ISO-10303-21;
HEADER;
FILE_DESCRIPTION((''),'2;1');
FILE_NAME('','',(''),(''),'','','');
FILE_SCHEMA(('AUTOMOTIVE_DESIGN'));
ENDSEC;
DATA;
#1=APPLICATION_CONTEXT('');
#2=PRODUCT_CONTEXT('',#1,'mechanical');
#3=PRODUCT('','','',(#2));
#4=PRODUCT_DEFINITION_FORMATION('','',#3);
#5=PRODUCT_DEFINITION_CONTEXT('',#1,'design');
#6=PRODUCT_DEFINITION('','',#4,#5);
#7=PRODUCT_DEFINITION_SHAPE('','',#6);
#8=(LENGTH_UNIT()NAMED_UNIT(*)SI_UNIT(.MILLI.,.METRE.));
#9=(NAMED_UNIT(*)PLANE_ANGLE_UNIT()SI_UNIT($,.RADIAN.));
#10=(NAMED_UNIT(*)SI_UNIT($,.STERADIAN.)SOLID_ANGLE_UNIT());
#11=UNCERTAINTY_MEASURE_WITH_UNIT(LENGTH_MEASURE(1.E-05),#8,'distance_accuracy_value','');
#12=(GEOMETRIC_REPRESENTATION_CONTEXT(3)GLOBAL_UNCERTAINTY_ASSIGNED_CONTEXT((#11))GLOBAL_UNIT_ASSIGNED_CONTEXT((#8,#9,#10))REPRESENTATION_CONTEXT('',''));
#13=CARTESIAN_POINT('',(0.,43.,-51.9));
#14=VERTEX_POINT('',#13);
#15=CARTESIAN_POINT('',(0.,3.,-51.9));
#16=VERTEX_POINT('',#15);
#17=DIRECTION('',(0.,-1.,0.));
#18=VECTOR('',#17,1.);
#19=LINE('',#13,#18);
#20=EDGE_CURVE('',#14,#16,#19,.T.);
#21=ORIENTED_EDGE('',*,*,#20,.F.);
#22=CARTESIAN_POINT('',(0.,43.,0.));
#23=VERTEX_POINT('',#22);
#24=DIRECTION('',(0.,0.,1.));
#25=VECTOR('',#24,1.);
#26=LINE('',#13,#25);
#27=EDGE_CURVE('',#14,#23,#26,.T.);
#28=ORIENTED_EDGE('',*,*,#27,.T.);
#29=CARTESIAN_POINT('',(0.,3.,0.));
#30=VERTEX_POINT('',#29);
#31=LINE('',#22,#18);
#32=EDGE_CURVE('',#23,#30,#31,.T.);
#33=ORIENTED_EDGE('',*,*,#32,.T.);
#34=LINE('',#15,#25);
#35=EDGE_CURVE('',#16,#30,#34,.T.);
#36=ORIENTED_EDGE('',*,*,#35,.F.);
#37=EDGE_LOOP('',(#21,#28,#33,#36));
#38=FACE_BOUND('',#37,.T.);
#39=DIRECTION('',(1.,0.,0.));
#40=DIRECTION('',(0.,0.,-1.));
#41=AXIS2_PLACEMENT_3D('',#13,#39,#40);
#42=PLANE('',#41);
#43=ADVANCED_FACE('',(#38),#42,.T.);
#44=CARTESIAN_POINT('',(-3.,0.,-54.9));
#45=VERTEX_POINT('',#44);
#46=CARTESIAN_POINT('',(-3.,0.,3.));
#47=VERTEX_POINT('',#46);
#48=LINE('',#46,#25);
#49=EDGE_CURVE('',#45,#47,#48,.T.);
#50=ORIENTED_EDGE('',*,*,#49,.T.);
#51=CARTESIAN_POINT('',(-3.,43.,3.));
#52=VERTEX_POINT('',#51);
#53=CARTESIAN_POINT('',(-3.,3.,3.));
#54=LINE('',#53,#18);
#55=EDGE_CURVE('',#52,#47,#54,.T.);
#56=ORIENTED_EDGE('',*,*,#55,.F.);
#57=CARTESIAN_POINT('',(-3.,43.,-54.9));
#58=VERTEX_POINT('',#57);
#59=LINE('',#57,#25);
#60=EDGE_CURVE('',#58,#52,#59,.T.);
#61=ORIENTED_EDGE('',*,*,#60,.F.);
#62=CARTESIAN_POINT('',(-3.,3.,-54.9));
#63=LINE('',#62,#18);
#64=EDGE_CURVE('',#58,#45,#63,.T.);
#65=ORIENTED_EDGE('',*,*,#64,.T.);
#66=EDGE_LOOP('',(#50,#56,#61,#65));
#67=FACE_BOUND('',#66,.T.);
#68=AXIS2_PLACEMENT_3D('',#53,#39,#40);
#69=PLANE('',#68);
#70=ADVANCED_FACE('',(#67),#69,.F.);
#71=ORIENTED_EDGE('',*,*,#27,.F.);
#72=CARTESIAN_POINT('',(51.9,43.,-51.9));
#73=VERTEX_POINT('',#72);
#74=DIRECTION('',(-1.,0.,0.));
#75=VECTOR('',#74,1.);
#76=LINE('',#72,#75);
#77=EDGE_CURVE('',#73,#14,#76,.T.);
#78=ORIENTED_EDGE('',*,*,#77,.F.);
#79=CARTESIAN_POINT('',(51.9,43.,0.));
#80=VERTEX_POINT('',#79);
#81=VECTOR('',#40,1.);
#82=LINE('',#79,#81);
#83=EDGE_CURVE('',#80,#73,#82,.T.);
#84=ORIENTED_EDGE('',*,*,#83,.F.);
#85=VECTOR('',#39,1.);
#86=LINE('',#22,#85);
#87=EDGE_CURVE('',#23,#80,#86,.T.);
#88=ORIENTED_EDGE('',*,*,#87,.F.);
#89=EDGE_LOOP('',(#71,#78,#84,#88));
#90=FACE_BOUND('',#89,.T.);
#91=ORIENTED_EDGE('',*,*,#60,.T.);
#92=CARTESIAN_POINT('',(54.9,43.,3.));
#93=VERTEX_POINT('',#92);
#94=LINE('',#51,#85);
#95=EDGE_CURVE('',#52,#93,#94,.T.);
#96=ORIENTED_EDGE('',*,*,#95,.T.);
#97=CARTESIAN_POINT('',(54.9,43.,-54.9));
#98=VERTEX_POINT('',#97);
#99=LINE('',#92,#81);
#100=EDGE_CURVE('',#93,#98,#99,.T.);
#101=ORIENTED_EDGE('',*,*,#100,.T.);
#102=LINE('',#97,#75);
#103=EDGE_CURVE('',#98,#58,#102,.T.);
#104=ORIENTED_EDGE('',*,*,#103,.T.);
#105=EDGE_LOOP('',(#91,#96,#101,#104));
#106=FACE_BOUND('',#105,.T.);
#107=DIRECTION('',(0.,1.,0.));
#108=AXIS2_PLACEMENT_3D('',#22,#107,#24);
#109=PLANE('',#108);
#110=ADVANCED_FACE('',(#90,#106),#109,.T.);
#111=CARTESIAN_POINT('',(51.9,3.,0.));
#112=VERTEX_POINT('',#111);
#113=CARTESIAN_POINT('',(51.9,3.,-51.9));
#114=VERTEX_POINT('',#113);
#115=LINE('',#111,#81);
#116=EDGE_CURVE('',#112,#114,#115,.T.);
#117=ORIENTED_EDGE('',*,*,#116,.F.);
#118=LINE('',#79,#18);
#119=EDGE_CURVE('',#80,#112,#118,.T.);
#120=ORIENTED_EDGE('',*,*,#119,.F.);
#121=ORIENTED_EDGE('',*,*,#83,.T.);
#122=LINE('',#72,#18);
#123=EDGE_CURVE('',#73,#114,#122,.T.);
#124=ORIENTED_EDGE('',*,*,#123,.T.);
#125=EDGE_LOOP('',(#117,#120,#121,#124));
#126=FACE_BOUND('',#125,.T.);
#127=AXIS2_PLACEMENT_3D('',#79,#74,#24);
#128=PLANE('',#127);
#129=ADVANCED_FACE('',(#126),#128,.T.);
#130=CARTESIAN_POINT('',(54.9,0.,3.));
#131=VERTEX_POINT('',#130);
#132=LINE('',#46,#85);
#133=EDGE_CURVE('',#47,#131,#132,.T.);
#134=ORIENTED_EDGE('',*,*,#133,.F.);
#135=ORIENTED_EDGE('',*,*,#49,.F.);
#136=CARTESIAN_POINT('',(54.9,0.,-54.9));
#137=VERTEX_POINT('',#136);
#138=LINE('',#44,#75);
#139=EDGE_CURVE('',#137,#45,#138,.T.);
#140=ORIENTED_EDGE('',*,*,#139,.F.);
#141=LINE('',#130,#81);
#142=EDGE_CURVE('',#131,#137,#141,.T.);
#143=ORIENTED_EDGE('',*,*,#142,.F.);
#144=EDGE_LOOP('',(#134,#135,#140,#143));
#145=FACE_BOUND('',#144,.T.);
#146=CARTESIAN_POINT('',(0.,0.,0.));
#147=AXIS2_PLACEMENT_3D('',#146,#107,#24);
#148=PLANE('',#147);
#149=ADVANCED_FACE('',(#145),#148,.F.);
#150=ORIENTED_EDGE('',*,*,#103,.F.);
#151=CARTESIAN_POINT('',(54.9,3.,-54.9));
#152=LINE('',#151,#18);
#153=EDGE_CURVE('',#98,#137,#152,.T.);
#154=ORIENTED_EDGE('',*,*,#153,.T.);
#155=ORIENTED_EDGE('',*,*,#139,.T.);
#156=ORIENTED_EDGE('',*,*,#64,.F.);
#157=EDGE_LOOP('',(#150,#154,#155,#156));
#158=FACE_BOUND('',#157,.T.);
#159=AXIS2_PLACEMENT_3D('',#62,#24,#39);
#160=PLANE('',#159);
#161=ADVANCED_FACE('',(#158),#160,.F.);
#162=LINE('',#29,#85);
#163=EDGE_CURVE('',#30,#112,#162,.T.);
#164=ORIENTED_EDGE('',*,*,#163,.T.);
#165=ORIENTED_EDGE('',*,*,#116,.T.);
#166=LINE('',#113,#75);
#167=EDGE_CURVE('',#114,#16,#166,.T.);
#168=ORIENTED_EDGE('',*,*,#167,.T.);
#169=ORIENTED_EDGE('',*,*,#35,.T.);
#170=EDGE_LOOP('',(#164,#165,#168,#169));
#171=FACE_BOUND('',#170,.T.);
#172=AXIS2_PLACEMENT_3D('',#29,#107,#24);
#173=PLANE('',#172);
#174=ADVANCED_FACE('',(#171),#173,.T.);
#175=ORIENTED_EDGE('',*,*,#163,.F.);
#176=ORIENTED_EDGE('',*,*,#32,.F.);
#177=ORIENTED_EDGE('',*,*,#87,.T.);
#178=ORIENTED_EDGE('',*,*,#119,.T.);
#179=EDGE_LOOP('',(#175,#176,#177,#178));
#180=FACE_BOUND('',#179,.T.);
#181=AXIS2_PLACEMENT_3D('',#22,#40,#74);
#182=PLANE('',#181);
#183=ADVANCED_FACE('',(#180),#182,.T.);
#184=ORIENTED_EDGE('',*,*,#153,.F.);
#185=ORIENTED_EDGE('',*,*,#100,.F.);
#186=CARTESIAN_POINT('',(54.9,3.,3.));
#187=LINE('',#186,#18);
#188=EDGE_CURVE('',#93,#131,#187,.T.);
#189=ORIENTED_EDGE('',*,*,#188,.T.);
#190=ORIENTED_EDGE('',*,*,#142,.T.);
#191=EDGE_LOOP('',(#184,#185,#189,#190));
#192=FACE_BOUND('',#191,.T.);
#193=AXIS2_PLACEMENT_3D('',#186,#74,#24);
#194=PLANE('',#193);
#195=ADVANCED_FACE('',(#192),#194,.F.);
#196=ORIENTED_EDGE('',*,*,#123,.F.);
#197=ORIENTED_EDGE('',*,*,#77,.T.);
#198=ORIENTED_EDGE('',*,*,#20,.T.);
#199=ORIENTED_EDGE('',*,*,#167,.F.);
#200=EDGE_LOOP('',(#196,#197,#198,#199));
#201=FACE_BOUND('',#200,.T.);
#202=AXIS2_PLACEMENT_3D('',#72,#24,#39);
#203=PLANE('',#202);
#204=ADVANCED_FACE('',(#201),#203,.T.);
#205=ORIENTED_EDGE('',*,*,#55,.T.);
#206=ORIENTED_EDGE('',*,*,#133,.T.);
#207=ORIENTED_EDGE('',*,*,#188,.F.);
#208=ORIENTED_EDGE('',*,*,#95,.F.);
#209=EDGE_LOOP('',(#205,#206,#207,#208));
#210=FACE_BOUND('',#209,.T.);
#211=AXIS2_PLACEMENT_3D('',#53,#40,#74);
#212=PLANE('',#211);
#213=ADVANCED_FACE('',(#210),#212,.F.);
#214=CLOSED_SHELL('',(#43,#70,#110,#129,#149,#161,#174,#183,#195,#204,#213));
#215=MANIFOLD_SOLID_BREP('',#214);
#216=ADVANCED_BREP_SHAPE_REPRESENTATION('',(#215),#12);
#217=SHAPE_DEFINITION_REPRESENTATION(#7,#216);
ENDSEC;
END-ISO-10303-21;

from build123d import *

# Parameters (mm, degrees)
SKETCH_1_W      = 57.9
SKETCH_1_H      = 57.9
EXTRUDE_1_DEPTH = 3
SKETCH_2_W      = 57.9
SKETCH_2_H      = 57.9
SKETCH_2_W_2    = 51.9
SKETCH_2_H_2    = 51.9
EXTRUDE_2_DEPTH = 40


with BuildPart() as part:
    # 草图1 → 凸台-拉伸1 (new body)
    with BuildSketch(Plane(origin=(0, 0, 0), x_dir=(1, 0, 0), z_dir=(0, 1, 0))):
        with Locations((25.95, 25.95)):
            Rectangle(SKETCH_1_W, SKETCH_1_H)
    extrude(amount=EXTRUDE_1_DEPTH)

    # 草图2 → 凸台-拉伸2 (add)
    with BuildSketch(Plane(origin=(0, 3, 0), x_dir=(1, 0, 0), z_dir=(0, 1, 0))):
        with Locations((25.95, 25.95)):
            Rectangle(SKETCH_2_W, SKETCH_2_H)
        with Locations((25.95, 25.95)):
            Rectangle(SKETCH_2_W_2, SKETCH_2_H_2, mode=Mode.SUBTRACT)
    extrude(amount=EXTRUDE_2_DEPTH)


solid = part.part
